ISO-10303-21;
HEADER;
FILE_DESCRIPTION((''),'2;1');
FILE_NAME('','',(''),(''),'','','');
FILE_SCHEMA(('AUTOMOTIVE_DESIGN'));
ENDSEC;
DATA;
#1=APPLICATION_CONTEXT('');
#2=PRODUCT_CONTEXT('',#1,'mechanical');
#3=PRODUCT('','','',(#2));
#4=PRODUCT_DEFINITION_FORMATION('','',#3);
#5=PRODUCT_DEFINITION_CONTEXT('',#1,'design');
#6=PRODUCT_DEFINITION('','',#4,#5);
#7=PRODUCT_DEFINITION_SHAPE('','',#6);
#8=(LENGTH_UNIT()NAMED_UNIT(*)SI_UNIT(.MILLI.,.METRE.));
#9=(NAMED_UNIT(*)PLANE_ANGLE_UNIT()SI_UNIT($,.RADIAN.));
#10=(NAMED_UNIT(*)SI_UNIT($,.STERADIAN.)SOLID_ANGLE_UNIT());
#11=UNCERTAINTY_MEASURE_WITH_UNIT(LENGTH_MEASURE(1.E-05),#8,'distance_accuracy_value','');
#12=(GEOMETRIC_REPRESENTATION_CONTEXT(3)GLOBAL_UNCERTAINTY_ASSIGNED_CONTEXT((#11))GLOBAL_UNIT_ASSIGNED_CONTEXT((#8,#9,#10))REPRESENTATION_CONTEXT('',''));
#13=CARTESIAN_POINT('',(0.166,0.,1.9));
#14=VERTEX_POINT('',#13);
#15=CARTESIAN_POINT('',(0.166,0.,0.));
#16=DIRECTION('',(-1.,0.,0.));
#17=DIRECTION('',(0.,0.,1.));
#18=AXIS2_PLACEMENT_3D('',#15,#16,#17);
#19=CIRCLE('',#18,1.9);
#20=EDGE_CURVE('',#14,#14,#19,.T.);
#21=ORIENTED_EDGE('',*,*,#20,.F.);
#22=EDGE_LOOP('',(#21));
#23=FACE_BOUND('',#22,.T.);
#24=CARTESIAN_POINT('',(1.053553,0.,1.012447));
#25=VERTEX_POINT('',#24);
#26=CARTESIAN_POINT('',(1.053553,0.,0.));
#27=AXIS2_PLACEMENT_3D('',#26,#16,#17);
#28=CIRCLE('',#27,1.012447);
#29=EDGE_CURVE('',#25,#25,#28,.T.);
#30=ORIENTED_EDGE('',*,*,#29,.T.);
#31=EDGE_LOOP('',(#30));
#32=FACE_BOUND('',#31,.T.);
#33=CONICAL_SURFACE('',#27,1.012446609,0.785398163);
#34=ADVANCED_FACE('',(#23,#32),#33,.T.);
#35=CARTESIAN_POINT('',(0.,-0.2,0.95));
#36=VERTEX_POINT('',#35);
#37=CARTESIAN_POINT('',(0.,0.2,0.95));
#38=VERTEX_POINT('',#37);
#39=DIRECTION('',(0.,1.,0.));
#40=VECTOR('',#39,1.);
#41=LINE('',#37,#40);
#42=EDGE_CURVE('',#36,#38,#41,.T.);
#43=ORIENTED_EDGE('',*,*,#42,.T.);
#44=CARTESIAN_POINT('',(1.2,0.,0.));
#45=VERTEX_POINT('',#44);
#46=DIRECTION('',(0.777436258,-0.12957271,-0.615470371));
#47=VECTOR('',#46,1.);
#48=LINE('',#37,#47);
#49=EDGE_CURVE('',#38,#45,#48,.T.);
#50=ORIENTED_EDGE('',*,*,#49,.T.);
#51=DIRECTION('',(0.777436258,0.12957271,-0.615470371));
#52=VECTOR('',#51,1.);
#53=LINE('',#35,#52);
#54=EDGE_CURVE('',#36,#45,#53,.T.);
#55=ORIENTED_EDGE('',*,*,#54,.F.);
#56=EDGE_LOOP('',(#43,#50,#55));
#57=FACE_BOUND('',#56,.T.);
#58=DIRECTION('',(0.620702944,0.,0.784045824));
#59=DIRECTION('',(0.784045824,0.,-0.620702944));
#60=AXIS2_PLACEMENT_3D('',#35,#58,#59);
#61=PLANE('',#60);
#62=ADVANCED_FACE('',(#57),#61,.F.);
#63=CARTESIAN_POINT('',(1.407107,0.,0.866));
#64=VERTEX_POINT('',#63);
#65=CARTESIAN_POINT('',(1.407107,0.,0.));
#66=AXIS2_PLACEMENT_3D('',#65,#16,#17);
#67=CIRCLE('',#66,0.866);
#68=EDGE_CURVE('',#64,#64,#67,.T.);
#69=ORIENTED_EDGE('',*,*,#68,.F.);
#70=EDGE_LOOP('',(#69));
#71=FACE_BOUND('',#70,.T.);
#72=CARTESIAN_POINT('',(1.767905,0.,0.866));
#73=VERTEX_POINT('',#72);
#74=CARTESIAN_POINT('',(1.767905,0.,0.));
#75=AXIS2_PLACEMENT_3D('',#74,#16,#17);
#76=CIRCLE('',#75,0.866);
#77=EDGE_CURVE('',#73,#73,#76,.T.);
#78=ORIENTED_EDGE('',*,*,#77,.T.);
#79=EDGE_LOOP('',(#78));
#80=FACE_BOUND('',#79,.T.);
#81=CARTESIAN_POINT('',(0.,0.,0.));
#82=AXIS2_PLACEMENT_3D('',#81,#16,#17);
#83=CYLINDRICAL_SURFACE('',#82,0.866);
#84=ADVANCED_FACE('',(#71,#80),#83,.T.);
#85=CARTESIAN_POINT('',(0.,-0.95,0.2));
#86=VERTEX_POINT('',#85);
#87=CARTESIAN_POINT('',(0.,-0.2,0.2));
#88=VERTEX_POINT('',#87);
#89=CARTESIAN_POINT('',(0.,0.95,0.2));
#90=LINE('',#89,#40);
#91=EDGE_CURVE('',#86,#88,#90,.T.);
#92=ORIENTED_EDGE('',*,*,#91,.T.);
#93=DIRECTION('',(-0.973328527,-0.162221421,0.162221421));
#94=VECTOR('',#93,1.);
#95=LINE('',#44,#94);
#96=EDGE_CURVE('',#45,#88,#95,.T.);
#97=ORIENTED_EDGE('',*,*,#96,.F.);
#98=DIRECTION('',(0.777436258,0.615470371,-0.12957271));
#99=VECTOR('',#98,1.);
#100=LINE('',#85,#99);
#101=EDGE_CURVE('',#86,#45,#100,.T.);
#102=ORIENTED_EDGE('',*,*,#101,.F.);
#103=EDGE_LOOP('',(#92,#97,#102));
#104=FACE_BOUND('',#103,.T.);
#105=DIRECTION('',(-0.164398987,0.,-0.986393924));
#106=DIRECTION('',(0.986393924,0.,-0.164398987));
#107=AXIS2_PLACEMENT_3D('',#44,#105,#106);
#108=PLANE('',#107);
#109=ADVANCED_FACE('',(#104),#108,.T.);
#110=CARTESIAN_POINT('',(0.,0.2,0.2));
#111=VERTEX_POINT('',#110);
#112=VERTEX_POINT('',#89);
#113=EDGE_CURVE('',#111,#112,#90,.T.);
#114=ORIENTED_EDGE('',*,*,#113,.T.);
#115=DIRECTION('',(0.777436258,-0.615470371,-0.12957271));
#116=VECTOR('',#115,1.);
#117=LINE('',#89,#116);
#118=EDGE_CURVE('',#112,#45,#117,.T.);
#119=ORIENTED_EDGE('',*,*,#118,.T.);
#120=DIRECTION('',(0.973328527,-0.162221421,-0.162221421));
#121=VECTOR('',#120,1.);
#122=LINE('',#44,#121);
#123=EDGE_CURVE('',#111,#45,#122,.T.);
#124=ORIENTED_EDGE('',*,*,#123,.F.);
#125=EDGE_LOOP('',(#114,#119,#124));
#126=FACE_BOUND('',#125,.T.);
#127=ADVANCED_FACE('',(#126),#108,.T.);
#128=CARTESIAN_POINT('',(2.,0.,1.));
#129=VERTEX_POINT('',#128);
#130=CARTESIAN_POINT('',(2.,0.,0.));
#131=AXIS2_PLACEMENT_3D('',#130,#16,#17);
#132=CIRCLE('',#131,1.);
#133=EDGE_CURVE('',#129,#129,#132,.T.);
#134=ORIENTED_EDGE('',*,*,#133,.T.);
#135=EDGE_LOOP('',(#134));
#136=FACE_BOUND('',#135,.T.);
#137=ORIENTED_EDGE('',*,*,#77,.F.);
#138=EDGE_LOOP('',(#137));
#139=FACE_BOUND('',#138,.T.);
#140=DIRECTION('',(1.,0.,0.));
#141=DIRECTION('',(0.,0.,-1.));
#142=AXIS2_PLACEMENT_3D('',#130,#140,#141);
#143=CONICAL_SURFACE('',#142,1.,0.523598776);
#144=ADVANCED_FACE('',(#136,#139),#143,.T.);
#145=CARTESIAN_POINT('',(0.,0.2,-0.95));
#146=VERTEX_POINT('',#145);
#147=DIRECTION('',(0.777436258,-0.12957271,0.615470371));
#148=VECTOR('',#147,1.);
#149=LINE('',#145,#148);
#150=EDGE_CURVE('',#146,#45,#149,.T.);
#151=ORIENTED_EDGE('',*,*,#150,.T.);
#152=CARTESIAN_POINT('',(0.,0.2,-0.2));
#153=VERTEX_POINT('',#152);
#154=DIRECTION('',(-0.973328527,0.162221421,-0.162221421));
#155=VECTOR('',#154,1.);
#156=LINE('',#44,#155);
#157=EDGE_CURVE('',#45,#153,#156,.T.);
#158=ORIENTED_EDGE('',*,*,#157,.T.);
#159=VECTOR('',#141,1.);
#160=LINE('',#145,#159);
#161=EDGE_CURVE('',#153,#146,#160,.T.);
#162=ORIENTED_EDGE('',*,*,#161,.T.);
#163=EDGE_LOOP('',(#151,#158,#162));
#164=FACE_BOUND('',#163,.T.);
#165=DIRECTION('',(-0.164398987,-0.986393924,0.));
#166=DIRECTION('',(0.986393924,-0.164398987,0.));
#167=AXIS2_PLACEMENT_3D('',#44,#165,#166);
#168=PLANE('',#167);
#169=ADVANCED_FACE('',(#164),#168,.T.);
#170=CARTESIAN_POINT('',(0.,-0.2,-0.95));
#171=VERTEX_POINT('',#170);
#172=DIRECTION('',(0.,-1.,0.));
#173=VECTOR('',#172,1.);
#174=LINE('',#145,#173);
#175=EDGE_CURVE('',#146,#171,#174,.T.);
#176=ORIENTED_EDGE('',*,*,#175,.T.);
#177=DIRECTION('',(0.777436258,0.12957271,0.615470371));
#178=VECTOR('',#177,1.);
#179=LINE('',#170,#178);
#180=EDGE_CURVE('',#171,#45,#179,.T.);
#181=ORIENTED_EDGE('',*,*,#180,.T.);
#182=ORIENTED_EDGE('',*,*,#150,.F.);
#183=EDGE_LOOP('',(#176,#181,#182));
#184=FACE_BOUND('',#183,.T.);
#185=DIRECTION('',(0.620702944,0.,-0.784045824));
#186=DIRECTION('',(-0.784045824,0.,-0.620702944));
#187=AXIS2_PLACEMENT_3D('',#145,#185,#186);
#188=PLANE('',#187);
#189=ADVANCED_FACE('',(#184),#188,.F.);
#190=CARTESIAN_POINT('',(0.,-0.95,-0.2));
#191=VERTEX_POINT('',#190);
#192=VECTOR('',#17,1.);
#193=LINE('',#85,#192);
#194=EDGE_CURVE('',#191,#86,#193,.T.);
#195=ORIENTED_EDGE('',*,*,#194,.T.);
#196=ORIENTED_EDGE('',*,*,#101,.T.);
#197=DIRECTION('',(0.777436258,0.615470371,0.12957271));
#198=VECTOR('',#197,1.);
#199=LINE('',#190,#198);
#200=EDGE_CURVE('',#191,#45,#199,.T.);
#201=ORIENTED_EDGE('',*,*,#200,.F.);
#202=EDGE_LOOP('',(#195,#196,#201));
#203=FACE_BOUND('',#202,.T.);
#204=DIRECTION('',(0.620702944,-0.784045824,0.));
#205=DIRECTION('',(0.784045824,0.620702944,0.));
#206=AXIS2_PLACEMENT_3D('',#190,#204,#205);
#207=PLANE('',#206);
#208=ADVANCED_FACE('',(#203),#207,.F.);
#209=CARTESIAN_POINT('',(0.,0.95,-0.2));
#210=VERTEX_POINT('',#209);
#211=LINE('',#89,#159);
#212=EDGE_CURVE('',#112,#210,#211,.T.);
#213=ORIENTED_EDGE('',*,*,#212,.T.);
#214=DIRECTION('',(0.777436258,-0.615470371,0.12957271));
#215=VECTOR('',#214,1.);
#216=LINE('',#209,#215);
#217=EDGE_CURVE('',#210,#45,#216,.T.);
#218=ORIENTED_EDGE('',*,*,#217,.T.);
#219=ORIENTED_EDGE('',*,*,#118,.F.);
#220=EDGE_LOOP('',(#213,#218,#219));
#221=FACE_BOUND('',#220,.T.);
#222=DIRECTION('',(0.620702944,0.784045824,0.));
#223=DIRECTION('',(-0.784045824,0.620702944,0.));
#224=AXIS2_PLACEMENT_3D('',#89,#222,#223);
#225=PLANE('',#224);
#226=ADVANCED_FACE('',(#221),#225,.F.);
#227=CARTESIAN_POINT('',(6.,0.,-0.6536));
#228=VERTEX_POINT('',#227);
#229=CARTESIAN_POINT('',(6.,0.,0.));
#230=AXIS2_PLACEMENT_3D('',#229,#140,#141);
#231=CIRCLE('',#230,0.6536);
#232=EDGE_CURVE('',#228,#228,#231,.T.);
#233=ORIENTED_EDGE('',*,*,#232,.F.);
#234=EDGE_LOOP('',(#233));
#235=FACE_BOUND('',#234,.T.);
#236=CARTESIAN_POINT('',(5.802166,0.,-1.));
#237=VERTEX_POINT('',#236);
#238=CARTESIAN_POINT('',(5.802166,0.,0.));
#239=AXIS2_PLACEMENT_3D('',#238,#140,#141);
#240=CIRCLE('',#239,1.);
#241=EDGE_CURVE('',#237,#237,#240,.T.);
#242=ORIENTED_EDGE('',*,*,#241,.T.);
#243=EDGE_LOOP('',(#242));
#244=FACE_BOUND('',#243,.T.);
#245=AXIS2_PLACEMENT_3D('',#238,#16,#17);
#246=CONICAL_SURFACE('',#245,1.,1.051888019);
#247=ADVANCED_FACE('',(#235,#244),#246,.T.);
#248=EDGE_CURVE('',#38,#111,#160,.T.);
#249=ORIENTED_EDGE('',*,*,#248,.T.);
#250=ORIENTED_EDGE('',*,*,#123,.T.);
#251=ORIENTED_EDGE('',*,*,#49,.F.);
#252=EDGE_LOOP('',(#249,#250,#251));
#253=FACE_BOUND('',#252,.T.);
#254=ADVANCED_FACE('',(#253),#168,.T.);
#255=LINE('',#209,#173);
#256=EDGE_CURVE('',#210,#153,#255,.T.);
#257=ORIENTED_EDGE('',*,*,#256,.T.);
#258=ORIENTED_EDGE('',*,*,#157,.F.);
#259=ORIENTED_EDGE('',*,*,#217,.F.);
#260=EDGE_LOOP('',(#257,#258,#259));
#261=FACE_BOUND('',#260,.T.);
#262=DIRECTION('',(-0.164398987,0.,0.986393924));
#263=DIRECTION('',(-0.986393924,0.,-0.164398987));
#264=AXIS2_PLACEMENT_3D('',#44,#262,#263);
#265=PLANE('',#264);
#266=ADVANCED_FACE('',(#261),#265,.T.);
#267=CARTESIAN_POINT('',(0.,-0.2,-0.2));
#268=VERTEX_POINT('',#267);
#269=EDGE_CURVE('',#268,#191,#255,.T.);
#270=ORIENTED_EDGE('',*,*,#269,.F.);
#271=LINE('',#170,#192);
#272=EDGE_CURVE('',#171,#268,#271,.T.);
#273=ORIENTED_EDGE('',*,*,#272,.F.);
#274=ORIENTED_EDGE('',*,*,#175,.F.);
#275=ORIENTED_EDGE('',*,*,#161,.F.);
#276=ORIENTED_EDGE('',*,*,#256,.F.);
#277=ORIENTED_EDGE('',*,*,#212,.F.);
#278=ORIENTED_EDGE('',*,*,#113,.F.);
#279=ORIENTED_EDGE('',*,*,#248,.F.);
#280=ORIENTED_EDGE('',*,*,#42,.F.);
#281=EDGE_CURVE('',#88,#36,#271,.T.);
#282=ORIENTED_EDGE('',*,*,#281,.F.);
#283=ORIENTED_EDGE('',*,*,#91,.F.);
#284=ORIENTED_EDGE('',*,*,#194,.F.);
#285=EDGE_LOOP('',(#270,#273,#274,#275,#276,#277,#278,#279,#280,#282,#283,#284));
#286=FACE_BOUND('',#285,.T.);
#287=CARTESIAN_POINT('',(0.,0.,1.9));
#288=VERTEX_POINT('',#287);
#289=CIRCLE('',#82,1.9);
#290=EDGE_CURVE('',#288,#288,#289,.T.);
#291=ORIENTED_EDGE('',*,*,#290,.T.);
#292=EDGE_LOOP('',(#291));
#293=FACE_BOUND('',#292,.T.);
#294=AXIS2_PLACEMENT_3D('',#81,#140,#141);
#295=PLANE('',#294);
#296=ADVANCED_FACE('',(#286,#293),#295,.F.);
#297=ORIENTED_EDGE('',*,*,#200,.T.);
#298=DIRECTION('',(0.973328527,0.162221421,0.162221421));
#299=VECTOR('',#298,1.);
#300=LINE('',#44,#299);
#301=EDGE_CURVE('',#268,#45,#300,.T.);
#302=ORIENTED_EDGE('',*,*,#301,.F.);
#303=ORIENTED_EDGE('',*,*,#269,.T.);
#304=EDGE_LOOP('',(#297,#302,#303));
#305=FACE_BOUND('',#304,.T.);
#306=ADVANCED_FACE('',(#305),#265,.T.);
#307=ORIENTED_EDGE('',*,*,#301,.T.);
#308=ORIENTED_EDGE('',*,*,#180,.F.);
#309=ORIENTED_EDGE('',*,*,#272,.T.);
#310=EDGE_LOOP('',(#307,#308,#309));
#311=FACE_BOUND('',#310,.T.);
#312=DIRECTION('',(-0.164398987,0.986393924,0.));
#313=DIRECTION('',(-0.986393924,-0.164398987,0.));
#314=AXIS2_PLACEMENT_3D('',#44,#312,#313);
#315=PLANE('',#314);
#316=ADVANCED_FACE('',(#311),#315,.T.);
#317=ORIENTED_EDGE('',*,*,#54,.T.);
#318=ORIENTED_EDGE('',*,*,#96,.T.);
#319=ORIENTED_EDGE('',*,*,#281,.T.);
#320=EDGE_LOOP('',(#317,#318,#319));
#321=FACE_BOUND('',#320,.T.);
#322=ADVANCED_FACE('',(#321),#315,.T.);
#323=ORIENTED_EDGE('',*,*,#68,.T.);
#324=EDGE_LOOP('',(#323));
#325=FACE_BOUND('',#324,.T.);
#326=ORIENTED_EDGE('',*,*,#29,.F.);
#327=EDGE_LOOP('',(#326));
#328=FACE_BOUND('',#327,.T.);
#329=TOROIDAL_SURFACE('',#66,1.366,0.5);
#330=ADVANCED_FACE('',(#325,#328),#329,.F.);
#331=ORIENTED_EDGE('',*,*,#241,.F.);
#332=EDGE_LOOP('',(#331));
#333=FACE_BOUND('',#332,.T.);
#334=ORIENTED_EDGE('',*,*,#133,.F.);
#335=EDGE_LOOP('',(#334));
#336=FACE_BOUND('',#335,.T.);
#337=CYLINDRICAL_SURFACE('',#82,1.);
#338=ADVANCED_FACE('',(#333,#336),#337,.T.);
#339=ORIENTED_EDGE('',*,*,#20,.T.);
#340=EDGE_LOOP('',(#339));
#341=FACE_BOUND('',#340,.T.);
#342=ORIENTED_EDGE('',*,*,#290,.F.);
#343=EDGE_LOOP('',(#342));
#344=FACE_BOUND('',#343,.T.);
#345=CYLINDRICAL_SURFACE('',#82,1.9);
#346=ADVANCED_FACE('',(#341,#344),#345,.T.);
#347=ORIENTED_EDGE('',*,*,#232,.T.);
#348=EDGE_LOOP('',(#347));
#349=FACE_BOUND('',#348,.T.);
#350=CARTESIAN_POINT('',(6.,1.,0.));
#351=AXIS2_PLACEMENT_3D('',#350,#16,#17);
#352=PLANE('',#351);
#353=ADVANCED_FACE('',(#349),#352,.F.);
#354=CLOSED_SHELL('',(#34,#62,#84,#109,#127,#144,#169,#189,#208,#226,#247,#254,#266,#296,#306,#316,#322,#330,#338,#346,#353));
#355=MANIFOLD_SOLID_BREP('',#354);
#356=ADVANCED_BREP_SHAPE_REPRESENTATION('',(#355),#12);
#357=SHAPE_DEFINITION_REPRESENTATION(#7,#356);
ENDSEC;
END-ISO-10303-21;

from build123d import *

# Parameters (mm, degrees)
PATTERN_CIRCULAR_1_COUNT = 2
PATTERN_CIRCULAR_1_ANGLE = 90


with BuildPart() as part:
    # 草图1 → Revolve 694 (revolve)
    with BuildSketch(Plane.XY, mode=Mode.PRIVATE) as revolve_694_sk:
        with BuildLine():
            Line((0, 0), (0, 1.9))
            Line((0, 1.9), (0.166, 1.9))
            Line((0.166, 1.9), (1.053553391, 1.012446609))
            ThreePointArc((1.053553391, 1.012446609), (1.215765065, 0.904060234), (1.407106781, 0.866))
            Line((1.407106781, 0.866), (1.767905192, 0.866))
            Line((1.767905192, 0.866), (2, 1))
            Line((2, 1), (6, 1))
            Line((6, 1), (6, 0))
            Line((6, 0), (0, 0))
        make_face()
    revolve(revolve_694_sk.sketch.rotate(Axis((0, 0, 0), (1, 0, 0)), 90), axis=Axis((0, 0, 0), (1, 0, 0)))

    # 草图2 → 切除-旋转1 (revolve, cut)
    with BuildSketch(Plane.XY, mode=Mode.PRIVATE) as cut_revolve_1_sk:
        Polygon((5.802166402, 1), (6.202166402, 1), (6, 0.6536), align=None)
    revolve(cut_revolve_1_sk.sketch.rotate(Axis((0, 0, 0), (-1, 0, 0)), 270), axis=Axis((0, 0, 0), (-1, 0, 0)), mode=Mode.SUBTRACT)

    # 草图3 → 切除-放样1 section 0
    with BuildSketch(Plane.ZY, mode=Mode.PRIVATE) as loft_1_s0:
        with BuildLine():
            Line((-0.95, 0.2), (0.95, 0.2))
            Line((0.95, 0.2), (0.95, -0.2))
            Line((0.95, -0.2), (-0.95, -0.2))
            Line((-0.95, -0.2), (-0.95, 0.2))
        make_face()
    loft_1 = loft([loft_1_s0.sketch, Vertex(1.2, 0, 0)], mode=Mode.SUBTRACT)

    # 阵列(圆周)1: 切除-放样1 ×2 about axis
    pattern_circular_1_axis = Axis((0, 0, 0), (1, 0, 0))
    for i in range(1, PATTERN_CIRCULAR_1_COUNT):
        add(loft_1.rotate(pattern_circular_1_axis, i * PATTERN_CIRCULAR_1_ANGLE / (PATTERN_CIRCULAR_1_COUNT - 1)), mode=Mode.SUBTRACT)


solid = part.part
